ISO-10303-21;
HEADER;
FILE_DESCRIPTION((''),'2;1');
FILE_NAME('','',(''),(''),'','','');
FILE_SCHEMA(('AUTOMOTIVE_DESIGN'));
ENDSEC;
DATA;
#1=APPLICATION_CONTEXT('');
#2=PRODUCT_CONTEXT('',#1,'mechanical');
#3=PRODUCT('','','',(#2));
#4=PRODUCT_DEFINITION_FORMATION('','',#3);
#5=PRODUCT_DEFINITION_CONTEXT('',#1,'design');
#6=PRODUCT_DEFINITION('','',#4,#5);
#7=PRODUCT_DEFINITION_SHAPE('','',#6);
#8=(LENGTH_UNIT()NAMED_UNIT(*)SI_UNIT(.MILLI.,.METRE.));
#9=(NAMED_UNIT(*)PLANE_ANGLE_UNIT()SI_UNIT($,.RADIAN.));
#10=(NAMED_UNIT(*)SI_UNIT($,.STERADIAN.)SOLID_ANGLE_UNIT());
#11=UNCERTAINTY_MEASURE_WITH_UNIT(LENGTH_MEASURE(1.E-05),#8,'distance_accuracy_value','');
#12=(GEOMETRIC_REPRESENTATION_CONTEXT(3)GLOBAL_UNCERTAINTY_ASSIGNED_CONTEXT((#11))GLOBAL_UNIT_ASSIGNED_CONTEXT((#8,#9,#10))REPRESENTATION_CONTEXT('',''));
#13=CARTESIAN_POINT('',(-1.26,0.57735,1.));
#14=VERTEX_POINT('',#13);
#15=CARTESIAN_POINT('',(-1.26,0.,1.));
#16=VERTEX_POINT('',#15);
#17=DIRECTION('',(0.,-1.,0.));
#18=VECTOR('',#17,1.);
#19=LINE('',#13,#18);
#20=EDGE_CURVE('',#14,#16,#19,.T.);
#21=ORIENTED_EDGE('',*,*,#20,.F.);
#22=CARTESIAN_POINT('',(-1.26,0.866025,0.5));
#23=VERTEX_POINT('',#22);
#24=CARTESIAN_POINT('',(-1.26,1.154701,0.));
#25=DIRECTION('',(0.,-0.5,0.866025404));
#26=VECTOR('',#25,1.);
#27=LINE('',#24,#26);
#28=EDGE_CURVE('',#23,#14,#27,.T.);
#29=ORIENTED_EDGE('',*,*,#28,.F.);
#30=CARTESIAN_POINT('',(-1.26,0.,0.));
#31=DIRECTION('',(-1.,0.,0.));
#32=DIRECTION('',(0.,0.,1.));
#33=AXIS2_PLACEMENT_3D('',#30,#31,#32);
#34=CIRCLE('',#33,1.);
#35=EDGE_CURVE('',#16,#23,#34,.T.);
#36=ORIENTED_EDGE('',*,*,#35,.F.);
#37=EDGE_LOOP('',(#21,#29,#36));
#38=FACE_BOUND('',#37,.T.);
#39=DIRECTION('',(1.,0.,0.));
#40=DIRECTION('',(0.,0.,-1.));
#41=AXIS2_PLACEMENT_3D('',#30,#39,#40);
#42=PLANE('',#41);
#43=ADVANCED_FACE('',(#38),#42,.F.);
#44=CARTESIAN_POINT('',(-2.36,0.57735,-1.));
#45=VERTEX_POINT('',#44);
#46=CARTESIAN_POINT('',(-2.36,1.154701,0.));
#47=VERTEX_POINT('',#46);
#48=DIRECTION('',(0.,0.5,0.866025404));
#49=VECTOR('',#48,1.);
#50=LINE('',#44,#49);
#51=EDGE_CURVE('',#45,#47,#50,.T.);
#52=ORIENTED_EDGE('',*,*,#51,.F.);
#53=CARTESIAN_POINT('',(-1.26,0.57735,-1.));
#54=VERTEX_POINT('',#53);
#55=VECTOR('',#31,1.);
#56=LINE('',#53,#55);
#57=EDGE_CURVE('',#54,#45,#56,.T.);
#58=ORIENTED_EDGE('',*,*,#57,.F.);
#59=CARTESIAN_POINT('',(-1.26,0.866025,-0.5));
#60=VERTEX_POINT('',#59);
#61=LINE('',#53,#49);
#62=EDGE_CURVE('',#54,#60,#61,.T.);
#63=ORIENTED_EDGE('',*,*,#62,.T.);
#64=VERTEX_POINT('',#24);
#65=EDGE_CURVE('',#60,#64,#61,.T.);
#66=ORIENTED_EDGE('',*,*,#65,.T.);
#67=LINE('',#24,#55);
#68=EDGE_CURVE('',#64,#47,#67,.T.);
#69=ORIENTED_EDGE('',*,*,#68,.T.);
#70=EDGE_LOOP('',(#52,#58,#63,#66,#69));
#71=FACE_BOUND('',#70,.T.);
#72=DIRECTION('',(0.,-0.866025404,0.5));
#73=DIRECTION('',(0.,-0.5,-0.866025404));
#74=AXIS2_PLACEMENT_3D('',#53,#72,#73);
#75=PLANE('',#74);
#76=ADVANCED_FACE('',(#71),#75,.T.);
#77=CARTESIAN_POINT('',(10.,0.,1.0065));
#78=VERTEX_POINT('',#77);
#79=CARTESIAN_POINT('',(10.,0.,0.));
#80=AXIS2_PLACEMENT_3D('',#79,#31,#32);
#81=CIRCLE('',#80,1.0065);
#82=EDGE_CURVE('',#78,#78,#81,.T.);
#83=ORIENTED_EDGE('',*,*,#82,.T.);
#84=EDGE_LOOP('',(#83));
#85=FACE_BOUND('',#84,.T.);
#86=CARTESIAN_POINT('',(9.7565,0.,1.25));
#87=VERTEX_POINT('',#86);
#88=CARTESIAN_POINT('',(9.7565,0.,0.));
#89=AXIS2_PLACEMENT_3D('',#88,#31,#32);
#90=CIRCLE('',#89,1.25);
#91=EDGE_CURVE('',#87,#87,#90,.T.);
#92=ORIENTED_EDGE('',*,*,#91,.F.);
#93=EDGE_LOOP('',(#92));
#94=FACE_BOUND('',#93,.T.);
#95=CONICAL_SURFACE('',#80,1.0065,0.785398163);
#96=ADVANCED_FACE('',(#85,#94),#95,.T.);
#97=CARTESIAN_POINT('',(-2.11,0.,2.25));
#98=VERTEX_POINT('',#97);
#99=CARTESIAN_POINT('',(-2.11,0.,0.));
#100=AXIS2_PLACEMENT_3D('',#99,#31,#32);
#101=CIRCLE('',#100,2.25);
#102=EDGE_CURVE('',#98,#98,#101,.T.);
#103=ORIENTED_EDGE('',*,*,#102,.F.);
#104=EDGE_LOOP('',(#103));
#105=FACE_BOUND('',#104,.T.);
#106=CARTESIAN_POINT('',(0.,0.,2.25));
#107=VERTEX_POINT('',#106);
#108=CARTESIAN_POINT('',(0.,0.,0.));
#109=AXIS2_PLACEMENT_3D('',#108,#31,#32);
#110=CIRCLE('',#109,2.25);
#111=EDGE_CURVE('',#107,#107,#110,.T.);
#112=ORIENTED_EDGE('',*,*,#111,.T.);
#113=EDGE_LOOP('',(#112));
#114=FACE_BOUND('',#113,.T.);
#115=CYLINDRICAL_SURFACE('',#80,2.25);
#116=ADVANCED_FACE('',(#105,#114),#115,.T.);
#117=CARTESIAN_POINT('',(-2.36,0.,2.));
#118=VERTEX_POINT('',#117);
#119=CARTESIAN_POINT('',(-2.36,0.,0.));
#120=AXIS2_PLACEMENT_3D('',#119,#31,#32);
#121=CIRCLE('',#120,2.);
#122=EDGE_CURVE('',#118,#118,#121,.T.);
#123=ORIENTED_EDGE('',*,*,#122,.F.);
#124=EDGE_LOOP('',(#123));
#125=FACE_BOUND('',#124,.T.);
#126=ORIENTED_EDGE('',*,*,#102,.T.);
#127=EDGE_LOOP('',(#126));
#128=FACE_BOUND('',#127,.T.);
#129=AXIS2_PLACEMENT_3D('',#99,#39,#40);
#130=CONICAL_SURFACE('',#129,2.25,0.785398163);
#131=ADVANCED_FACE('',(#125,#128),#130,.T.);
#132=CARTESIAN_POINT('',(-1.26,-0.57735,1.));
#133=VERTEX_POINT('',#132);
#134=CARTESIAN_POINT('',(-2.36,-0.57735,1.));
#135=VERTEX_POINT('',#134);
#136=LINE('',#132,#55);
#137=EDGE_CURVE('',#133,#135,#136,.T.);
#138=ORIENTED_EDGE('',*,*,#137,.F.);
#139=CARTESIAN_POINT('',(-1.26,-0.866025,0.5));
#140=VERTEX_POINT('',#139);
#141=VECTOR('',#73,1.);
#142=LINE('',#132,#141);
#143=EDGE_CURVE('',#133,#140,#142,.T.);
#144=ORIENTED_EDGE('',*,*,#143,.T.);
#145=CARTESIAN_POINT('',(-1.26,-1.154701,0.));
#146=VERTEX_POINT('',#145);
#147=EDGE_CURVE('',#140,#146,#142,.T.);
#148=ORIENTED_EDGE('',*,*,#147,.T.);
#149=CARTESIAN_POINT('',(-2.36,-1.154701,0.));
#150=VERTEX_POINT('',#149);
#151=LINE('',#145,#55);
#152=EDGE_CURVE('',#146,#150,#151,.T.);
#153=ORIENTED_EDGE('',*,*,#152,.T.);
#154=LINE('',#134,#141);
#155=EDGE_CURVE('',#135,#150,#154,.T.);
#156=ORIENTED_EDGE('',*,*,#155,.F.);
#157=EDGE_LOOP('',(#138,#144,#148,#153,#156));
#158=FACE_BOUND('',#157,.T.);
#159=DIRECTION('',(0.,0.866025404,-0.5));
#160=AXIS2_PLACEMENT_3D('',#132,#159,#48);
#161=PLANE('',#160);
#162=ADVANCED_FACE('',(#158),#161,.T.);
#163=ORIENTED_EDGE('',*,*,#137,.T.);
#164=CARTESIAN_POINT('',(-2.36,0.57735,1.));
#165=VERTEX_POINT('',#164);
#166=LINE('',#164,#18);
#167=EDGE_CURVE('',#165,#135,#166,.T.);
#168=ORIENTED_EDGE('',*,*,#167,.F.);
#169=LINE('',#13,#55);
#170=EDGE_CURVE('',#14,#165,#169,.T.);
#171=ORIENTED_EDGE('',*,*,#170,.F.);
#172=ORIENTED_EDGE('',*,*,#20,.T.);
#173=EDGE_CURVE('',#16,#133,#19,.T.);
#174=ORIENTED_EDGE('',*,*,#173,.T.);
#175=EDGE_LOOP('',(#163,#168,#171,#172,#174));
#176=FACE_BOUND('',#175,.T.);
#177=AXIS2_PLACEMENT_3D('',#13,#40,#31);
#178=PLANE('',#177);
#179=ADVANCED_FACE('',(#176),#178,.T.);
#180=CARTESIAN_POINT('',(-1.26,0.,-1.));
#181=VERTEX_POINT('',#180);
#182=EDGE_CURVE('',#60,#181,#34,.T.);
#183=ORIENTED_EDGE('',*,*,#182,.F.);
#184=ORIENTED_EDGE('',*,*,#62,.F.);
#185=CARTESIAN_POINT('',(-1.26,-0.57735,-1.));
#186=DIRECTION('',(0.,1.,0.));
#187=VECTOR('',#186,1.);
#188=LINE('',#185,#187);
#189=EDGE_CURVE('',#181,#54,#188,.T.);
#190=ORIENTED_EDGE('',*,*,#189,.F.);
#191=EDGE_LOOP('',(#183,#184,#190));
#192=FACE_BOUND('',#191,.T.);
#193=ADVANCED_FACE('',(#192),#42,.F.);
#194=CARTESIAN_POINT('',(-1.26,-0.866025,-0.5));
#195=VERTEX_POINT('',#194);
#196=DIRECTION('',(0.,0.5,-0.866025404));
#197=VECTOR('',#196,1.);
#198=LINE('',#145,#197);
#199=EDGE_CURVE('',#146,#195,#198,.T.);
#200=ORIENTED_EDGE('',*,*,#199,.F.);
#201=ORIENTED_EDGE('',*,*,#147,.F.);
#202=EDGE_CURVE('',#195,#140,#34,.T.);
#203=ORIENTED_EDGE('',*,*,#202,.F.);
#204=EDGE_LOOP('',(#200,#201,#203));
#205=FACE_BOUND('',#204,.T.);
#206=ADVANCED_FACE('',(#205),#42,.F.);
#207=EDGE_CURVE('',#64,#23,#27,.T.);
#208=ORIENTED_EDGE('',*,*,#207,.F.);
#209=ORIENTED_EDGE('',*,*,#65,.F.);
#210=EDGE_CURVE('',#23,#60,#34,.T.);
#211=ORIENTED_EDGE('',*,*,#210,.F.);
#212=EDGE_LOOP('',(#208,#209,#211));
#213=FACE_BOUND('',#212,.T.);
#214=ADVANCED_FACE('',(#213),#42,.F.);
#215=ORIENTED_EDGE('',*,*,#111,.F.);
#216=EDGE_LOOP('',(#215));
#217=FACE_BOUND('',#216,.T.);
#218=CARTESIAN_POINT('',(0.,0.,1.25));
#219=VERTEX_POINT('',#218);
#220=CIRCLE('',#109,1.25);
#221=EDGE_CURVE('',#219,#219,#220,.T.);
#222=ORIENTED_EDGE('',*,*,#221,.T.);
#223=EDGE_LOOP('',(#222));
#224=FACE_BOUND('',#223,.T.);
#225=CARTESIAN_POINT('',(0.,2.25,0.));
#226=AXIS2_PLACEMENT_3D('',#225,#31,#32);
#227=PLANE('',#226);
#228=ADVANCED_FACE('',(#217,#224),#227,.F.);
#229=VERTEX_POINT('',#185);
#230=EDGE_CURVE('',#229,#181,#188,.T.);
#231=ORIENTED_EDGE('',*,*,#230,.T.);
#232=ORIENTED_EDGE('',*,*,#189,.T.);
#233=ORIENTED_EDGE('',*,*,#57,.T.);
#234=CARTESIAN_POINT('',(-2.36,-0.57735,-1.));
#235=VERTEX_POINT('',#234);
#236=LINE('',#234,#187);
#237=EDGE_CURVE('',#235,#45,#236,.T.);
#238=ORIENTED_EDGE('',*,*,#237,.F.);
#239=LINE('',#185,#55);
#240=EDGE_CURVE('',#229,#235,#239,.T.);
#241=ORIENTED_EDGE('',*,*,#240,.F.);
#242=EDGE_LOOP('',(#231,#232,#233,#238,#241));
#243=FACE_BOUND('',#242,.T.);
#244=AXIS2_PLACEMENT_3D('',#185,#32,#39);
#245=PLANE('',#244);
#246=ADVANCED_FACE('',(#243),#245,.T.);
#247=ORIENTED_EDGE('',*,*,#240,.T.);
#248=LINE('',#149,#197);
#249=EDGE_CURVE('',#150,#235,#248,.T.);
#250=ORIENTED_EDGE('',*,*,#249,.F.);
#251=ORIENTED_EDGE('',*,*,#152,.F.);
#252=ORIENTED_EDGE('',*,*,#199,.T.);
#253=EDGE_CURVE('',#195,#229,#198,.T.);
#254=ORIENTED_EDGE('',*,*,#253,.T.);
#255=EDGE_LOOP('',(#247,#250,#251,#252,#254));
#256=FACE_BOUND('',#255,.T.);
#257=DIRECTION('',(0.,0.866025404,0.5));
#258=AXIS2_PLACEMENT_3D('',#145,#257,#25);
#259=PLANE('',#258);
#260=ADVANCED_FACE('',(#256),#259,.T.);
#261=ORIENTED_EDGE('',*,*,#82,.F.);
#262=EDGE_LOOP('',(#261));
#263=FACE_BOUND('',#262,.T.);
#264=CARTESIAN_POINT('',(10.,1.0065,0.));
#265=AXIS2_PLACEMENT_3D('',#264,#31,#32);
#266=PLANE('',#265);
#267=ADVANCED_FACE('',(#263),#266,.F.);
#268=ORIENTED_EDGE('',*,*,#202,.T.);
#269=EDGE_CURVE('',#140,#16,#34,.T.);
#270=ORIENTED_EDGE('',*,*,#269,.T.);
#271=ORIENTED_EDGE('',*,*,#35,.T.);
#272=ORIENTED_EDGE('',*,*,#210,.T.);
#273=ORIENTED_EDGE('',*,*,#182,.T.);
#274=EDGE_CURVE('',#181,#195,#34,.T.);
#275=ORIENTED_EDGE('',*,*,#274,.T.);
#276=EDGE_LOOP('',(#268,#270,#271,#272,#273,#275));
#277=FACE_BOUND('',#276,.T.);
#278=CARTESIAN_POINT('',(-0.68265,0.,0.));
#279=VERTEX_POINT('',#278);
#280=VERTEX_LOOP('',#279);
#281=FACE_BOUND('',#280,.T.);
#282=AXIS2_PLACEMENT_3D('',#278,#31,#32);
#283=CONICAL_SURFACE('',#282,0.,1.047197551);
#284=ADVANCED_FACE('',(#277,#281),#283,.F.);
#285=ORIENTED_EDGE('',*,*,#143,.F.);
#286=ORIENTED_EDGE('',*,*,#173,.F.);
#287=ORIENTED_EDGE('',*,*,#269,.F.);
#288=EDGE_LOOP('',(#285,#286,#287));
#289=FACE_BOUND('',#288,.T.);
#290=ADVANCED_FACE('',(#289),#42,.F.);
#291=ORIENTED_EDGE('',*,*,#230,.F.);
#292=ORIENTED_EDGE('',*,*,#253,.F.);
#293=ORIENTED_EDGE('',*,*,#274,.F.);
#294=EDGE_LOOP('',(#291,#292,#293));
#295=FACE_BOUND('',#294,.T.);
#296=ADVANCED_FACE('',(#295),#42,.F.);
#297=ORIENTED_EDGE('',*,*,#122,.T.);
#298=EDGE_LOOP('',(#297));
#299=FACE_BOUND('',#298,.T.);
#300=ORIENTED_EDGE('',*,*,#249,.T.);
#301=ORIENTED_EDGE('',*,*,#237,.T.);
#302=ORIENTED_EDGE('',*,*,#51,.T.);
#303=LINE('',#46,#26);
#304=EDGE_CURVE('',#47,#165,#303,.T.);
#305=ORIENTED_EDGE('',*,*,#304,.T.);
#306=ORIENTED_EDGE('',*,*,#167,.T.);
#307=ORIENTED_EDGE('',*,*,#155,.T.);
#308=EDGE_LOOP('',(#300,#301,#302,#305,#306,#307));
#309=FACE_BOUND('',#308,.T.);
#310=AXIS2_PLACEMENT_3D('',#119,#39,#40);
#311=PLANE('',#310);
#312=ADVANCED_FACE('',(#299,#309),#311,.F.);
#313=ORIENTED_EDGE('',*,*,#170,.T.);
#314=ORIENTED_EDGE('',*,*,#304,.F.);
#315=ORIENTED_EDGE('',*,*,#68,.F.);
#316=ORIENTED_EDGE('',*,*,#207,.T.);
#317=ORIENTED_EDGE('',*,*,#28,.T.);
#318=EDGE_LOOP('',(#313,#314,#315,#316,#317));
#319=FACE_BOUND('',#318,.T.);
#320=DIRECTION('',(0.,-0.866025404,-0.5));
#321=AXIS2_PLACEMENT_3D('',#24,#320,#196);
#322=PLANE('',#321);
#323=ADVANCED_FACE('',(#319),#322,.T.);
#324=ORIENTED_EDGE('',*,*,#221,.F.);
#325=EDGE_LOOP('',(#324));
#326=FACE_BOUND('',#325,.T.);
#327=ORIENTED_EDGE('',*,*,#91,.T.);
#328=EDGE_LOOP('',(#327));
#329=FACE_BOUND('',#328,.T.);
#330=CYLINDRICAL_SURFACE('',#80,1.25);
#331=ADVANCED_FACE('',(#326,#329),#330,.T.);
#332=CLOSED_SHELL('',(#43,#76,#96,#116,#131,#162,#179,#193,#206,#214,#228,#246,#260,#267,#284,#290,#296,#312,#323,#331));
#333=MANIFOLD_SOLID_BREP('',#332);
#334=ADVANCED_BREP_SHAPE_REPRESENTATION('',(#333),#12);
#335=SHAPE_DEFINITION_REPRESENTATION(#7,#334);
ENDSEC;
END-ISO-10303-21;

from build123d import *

# Parameters (mm, degrees)
CUT_EXTRUDE_1_DEPTH = 1.1


with BuildPart() as part:
    # 草图1 → 旋转1 (revolve)
    with BuildSketch(Plane.XY):
        Polygon((-2.36, 0), (-2.36, 2), (-2.11, 2.25), (0, 2.25), (0, 1.25), (9.7565, 1.25), (10, 1.0065), (10, 0), align=None)
    revolve(axis=Axis((10, 0, 0), (-1, 0, 0)))

    # 草图2 → 切除-拉伸1 (cut)
    with BuildSketch(Plane(origin=(-2.36, 0, 0), x_dir=(0, 0, -1), z_dir=(1, 0, 0))):
        Polygon((-1, 0.577350269), (-1, -0.577350269), (0, -1.154700538), (1, -0.577350269), (1, 0.577350269), (0, 1.154700538), align=None)
    extrude(amount=CUT_EXTRUDE_1_DEPTH, mode=Mode.SUBTRACT)

    # 草图3 → 切除-旋转1 (revolve, cut)
    with BuildSketch(Plane.XY):
        Polygon((-1.26, 0), (-1.26, 1), (-0.682649731, 0), align=None)
    revolve(axis=Axis((-0.682649731, 0, 0), (-1, 0, 0)), mode=Mode.SUBTRACT)


solid = part.part
